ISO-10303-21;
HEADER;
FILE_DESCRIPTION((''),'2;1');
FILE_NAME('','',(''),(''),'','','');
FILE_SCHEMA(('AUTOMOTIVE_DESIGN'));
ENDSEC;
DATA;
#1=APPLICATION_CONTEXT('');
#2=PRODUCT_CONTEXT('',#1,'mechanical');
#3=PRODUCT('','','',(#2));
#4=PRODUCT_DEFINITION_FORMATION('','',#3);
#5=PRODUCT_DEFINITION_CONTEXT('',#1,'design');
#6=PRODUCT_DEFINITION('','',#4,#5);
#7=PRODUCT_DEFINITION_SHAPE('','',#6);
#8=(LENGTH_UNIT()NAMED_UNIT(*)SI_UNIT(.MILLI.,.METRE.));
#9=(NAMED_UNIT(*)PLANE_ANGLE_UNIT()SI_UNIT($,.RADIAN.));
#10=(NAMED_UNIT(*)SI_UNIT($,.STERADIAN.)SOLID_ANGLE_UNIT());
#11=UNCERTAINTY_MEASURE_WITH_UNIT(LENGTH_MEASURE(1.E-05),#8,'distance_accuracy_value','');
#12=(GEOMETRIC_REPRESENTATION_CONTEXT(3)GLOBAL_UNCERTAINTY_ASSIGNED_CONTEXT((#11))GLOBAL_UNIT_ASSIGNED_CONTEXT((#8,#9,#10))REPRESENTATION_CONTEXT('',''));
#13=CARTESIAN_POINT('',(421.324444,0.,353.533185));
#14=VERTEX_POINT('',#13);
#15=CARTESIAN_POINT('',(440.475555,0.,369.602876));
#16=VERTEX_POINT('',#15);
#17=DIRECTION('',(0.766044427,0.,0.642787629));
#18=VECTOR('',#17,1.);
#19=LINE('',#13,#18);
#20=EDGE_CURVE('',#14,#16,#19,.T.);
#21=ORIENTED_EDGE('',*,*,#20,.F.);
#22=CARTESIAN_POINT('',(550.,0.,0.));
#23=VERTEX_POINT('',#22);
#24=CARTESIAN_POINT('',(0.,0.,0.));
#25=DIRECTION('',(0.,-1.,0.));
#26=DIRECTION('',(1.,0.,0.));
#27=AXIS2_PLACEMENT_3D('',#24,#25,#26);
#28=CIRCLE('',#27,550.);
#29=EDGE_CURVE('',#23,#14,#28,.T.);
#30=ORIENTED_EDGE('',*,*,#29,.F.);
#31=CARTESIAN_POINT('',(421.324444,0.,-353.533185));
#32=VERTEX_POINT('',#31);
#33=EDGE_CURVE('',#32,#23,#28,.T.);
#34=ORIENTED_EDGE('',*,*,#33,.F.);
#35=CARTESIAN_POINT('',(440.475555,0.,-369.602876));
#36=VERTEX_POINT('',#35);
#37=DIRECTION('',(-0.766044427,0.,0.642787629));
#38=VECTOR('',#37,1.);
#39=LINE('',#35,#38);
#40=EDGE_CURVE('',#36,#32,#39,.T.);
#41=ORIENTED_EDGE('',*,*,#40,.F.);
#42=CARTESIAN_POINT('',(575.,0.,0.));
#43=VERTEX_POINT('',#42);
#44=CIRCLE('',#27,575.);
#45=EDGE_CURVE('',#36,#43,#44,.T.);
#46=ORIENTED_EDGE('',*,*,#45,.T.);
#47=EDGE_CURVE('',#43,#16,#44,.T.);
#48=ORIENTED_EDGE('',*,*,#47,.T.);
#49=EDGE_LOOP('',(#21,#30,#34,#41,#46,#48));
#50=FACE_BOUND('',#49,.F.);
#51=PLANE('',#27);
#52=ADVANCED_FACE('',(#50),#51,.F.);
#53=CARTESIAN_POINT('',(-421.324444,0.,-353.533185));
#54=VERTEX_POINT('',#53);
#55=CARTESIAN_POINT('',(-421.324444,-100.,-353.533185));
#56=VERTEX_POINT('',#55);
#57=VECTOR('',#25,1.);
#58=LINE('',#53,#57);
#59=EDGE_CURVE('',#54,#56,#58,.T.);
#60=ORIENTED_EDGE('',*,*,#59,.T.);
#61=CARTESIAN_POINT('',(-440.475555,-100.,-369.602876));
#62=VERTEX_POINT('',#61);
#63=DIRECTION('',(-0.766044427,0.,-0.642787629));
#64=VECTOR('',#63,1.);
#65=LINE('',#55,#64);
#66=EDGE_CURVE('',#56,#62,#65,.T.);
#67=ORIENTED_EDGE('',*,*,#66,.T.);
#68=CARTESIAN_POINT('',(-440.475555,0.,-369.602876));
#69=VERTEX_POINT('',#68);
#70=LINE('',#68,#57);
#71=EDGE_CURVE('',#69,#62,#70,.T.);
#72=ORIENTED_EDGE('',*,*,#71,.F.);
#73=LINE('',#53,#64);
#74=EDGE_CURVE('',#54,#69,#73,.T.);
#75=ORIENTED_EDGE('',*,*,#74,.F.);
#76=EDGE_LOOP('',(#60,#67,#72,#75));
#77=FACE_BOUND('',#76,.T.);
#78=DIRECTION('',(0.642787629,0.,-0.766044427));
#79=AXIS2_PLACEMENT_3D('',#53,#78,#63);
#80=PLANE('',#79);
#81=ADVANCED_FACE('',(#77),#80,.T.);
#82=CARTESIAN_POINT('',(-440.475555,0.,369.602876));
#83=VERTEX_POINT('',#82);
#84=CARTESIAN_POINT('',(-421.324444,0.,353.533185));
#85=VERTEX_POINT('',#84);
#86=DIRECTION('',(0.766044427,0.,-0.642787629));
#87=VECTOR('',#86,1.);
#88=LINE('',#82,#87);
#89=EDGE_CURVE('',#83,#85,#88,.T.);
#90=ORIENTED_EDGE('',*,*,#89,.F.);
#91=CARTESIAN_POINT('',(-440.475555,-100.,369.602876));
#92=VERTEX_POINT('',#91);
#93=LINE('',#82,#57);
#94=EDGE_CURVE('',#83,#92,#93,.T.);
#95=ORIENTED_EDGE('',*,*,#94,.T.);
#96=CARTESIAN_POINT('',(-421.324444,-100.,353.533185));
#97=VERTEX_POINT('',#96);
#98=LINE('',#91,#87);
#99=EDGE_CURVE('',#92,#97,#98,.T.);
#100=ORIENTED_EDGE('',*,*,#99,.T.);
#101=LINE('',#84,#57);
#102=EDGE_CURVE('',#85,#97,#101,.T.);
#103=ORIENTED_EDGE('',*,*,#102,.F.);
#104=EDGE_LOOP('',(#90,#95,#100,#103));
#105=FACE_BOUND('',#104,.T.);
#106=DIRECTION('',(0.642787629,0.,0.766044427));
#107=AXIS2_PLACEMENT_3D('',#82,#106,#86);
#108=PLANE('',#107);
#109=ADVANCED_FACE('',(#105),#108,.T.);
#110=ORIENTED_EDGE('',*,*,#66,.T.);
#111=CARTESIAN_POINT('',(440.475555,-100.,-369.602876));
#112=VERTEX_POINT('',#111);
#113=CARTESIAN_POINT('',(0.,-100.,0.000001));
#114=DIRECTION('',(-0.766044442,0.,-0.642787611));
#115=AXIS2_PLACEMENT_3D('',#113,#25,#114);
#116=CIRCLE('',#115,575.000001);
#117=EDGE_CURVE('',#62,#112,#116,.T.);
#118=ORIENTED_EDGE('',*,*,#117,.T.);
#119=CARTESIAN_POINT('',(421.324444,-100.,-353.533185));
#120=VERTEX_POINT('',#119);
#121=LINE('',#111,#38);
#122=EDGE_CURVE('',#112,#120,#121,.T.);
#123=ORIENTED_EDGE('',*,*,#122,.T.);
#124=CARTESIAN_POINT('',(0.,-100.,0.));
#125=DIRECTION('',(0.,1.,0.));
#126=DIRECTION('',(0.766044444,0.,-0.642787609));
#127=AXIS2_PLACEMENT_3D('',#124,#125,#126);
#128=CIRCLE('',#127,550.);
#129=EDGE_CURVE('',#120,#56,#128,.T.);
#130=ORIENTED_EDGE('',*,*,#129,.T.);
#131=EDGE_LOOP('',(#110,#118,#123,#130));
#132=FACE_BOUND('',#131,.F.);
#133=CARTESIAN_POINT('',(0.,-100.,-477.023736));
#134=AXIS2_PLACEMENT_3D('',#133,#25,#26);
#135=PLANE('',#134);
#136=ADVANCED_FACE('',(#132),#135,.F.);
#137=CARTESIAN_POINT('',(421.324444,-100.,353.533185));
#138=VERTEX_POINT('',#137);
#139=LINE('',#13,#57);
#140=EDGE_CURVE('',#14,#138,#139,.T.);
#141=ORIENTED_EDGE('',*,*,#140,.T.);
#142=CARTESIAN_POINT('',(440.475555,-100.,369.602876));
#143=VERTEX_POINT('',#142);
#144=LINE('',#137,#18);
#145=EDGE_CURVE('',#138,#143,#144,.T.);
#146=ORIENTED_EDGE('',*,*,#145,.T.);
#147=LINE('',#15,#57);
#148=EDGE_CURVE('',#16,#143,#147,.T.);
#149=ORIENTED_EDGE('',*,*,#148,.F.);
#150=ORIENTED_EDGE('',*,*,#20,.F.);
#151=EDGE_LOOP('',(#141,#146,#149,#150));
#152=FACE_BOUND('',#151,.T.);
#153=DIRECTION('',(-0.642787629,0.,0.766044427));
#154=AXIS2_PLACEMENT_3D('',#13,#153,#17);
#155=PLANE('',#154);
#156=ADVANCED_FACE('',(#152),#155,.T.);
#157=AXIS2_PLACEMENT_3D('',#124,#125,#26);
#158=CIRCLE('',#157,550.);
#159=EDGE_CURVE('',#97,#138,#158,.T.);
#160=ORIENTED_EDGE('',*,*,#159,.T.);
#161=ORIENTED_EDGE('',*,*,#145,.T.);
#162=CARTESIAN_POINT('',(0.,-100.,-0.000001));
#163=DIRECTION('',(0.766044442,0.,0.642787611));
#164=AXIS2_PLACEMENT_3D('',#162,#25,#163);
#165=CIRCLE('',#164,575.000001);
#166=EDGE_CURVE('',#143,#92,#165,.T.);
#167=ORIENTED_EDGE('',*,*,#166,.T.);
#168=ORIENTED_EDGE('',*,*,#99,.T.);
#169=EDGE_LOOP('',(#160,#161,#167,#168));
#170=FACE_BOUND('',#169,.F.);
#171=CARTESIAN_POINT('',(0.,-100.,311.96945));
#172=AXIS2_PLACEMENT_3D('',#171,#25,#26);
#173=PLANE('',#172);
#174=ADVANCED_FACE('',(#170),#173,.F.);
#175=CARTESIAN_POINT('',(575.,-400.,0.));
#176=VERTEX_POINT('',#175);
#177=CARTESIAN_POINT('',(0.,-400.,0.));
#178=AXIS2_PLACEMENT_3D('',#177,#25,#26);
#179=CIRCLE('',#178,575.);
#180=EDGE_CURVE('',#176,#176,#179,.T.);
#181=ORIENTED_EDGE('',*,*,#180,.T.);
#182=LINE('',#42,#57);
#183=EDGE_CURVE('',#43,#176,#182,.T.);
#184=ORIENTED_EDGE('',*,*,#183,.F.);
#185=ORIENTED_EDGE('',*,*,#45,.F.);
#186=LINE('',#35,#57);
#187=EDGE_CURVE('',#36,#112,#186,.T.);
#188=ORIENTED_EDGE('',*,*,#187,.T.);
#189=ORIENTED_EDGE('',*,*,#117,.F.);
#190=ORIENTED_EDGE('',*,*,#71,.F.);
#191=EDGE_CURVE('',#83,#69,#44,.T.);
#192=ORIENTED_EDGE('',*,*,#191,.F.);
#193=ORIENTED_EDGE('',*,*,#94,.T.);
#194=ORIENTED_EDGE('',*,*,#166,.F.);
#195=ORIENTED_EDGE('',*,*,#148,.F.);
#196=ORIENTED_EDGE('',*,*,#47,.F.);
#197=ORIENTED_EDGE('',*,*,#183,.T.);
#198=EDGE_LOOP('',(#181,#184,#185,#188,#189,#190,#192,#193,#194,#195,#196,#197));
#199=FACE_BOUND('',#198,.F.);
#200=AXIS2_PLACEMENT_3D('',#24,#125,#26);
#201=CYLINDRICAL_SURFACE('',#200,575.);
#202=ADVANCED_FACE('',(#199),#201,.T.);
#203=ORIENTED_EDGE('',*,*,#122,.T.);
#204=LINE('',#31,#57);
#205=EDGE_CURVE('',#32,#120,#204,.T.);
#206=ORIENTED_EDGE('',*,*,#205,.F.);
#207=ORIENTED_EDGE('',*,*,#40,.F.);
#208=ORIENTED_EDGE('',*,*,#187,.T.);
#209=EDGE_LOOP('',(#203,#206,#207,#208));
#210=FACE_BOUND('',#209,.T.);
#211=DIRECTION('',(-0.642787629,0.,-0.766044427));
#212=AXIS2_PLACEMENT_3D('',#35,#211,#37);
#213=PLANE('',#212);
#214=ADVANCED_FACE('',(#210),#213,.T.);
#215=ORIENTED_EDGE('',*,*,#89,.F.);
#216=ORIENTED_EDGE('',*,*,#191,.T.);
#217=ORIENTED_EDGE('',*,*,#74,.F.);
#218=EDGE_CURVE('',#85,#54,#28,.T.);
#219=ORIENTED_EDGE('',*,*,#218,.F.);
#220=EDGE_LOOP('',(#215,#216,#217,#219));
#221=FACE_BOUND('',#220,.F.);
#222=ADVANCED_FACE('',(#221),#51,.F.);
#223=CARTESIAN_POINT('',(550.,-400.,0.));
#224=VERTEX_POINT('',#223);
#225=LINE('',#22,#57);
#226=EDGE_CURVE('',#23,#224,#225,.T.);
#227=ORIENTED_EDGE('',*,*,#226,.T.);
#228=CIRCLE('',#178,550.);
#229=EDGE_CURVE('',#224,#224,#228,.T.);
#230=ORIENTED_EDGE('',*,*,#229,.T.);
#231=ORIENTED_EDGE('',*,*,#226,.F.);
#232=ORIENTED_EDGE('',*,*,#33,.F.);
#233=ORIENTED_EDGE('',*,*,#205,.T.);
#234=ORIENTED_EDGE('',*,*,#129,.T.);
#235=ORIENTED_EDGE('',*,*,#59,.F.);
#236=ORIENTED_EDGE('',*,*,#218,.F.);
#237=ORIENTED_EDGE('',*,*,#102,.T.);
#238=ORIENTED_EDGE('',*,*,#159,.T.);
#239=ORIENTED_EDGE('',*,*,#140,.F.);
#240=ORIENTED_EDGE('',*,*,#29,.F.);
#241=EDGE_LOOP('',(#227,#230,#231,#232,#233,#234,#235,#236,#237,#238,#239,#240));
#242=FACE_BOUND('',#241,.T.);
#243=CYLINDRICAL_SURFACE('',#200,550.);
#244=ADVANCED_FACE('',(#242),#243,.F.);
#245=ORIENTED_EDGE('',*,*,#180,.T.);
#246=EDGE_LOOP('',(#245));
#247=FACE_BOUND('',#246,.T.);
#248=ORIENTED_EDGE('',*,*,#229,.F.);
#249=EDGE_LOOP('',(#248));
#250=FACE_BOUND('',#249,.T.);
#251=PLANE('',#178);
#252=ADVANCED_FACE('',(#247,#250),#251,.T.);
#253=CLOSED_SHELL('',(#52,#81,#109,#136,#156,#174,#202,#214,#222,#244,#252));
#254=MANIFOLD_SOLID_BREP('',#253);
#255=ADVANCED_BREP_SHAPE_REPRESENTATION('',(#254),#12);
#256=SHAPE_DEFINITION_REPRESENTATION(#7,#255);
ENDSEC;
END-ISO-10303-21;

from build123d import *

# Parameters (mm, degrees)
F0_R     = 575
F0_R_2   = 550
F1_DEPTH = 400
F4_DEPTH = 100


with BuildPart() as f1:
    # F0 (on Front) → F1 (new body)
    with BuildSketch(Plane.XZ):
        Circle(F0_R)
        Circle(F0_R_2, mode=Mode.SUBTRACT)
    extrude(amount=F1_DEPTH)

    # F3 (on face) → F4 (cut)
    with BuildSketch(Plane.XZ):
        with BuildLine():
            Line((-421.324444, 353.533185), (0, 0))
            Line((0, 0), (421.324444, 353.533185))
            ThreePointArc((421.324444, 353.533185), (0, 550), (-421.324444, 353.533185))
        make_face()
        with BuildLine():
            Line((-440.475555, 369.602876), (-421.324444, 353.533185))
            ThreePointArc((-421.324444, 353.533185), (0, 550), (421.324444, 353.533185))
            Line((421.324444, 353.533185), (440.475555, 369.602876))
            ThreePointArc((440.475555, 369.602876), (0, 575), (-440.475555, 369.602876))
        make_face()
        with BuildLine():
            ThreePointArc((421.324444, -353.533185), (0, -550), (-421.324444, -353.533185))
            Line((-421.324444, -353.533185), (-440.475555, -369.602876))
            ThreePointArc((-440.475555, -369.602876), (0, -575), (440.475555, -369.602876))
            Line((440.475555, -369.602876), (421.324444, -353.533185))
        make_face()
    extrude(amount=F4_DEPTH, mode=Mode.SUBTRACT)


solid = f1.part
